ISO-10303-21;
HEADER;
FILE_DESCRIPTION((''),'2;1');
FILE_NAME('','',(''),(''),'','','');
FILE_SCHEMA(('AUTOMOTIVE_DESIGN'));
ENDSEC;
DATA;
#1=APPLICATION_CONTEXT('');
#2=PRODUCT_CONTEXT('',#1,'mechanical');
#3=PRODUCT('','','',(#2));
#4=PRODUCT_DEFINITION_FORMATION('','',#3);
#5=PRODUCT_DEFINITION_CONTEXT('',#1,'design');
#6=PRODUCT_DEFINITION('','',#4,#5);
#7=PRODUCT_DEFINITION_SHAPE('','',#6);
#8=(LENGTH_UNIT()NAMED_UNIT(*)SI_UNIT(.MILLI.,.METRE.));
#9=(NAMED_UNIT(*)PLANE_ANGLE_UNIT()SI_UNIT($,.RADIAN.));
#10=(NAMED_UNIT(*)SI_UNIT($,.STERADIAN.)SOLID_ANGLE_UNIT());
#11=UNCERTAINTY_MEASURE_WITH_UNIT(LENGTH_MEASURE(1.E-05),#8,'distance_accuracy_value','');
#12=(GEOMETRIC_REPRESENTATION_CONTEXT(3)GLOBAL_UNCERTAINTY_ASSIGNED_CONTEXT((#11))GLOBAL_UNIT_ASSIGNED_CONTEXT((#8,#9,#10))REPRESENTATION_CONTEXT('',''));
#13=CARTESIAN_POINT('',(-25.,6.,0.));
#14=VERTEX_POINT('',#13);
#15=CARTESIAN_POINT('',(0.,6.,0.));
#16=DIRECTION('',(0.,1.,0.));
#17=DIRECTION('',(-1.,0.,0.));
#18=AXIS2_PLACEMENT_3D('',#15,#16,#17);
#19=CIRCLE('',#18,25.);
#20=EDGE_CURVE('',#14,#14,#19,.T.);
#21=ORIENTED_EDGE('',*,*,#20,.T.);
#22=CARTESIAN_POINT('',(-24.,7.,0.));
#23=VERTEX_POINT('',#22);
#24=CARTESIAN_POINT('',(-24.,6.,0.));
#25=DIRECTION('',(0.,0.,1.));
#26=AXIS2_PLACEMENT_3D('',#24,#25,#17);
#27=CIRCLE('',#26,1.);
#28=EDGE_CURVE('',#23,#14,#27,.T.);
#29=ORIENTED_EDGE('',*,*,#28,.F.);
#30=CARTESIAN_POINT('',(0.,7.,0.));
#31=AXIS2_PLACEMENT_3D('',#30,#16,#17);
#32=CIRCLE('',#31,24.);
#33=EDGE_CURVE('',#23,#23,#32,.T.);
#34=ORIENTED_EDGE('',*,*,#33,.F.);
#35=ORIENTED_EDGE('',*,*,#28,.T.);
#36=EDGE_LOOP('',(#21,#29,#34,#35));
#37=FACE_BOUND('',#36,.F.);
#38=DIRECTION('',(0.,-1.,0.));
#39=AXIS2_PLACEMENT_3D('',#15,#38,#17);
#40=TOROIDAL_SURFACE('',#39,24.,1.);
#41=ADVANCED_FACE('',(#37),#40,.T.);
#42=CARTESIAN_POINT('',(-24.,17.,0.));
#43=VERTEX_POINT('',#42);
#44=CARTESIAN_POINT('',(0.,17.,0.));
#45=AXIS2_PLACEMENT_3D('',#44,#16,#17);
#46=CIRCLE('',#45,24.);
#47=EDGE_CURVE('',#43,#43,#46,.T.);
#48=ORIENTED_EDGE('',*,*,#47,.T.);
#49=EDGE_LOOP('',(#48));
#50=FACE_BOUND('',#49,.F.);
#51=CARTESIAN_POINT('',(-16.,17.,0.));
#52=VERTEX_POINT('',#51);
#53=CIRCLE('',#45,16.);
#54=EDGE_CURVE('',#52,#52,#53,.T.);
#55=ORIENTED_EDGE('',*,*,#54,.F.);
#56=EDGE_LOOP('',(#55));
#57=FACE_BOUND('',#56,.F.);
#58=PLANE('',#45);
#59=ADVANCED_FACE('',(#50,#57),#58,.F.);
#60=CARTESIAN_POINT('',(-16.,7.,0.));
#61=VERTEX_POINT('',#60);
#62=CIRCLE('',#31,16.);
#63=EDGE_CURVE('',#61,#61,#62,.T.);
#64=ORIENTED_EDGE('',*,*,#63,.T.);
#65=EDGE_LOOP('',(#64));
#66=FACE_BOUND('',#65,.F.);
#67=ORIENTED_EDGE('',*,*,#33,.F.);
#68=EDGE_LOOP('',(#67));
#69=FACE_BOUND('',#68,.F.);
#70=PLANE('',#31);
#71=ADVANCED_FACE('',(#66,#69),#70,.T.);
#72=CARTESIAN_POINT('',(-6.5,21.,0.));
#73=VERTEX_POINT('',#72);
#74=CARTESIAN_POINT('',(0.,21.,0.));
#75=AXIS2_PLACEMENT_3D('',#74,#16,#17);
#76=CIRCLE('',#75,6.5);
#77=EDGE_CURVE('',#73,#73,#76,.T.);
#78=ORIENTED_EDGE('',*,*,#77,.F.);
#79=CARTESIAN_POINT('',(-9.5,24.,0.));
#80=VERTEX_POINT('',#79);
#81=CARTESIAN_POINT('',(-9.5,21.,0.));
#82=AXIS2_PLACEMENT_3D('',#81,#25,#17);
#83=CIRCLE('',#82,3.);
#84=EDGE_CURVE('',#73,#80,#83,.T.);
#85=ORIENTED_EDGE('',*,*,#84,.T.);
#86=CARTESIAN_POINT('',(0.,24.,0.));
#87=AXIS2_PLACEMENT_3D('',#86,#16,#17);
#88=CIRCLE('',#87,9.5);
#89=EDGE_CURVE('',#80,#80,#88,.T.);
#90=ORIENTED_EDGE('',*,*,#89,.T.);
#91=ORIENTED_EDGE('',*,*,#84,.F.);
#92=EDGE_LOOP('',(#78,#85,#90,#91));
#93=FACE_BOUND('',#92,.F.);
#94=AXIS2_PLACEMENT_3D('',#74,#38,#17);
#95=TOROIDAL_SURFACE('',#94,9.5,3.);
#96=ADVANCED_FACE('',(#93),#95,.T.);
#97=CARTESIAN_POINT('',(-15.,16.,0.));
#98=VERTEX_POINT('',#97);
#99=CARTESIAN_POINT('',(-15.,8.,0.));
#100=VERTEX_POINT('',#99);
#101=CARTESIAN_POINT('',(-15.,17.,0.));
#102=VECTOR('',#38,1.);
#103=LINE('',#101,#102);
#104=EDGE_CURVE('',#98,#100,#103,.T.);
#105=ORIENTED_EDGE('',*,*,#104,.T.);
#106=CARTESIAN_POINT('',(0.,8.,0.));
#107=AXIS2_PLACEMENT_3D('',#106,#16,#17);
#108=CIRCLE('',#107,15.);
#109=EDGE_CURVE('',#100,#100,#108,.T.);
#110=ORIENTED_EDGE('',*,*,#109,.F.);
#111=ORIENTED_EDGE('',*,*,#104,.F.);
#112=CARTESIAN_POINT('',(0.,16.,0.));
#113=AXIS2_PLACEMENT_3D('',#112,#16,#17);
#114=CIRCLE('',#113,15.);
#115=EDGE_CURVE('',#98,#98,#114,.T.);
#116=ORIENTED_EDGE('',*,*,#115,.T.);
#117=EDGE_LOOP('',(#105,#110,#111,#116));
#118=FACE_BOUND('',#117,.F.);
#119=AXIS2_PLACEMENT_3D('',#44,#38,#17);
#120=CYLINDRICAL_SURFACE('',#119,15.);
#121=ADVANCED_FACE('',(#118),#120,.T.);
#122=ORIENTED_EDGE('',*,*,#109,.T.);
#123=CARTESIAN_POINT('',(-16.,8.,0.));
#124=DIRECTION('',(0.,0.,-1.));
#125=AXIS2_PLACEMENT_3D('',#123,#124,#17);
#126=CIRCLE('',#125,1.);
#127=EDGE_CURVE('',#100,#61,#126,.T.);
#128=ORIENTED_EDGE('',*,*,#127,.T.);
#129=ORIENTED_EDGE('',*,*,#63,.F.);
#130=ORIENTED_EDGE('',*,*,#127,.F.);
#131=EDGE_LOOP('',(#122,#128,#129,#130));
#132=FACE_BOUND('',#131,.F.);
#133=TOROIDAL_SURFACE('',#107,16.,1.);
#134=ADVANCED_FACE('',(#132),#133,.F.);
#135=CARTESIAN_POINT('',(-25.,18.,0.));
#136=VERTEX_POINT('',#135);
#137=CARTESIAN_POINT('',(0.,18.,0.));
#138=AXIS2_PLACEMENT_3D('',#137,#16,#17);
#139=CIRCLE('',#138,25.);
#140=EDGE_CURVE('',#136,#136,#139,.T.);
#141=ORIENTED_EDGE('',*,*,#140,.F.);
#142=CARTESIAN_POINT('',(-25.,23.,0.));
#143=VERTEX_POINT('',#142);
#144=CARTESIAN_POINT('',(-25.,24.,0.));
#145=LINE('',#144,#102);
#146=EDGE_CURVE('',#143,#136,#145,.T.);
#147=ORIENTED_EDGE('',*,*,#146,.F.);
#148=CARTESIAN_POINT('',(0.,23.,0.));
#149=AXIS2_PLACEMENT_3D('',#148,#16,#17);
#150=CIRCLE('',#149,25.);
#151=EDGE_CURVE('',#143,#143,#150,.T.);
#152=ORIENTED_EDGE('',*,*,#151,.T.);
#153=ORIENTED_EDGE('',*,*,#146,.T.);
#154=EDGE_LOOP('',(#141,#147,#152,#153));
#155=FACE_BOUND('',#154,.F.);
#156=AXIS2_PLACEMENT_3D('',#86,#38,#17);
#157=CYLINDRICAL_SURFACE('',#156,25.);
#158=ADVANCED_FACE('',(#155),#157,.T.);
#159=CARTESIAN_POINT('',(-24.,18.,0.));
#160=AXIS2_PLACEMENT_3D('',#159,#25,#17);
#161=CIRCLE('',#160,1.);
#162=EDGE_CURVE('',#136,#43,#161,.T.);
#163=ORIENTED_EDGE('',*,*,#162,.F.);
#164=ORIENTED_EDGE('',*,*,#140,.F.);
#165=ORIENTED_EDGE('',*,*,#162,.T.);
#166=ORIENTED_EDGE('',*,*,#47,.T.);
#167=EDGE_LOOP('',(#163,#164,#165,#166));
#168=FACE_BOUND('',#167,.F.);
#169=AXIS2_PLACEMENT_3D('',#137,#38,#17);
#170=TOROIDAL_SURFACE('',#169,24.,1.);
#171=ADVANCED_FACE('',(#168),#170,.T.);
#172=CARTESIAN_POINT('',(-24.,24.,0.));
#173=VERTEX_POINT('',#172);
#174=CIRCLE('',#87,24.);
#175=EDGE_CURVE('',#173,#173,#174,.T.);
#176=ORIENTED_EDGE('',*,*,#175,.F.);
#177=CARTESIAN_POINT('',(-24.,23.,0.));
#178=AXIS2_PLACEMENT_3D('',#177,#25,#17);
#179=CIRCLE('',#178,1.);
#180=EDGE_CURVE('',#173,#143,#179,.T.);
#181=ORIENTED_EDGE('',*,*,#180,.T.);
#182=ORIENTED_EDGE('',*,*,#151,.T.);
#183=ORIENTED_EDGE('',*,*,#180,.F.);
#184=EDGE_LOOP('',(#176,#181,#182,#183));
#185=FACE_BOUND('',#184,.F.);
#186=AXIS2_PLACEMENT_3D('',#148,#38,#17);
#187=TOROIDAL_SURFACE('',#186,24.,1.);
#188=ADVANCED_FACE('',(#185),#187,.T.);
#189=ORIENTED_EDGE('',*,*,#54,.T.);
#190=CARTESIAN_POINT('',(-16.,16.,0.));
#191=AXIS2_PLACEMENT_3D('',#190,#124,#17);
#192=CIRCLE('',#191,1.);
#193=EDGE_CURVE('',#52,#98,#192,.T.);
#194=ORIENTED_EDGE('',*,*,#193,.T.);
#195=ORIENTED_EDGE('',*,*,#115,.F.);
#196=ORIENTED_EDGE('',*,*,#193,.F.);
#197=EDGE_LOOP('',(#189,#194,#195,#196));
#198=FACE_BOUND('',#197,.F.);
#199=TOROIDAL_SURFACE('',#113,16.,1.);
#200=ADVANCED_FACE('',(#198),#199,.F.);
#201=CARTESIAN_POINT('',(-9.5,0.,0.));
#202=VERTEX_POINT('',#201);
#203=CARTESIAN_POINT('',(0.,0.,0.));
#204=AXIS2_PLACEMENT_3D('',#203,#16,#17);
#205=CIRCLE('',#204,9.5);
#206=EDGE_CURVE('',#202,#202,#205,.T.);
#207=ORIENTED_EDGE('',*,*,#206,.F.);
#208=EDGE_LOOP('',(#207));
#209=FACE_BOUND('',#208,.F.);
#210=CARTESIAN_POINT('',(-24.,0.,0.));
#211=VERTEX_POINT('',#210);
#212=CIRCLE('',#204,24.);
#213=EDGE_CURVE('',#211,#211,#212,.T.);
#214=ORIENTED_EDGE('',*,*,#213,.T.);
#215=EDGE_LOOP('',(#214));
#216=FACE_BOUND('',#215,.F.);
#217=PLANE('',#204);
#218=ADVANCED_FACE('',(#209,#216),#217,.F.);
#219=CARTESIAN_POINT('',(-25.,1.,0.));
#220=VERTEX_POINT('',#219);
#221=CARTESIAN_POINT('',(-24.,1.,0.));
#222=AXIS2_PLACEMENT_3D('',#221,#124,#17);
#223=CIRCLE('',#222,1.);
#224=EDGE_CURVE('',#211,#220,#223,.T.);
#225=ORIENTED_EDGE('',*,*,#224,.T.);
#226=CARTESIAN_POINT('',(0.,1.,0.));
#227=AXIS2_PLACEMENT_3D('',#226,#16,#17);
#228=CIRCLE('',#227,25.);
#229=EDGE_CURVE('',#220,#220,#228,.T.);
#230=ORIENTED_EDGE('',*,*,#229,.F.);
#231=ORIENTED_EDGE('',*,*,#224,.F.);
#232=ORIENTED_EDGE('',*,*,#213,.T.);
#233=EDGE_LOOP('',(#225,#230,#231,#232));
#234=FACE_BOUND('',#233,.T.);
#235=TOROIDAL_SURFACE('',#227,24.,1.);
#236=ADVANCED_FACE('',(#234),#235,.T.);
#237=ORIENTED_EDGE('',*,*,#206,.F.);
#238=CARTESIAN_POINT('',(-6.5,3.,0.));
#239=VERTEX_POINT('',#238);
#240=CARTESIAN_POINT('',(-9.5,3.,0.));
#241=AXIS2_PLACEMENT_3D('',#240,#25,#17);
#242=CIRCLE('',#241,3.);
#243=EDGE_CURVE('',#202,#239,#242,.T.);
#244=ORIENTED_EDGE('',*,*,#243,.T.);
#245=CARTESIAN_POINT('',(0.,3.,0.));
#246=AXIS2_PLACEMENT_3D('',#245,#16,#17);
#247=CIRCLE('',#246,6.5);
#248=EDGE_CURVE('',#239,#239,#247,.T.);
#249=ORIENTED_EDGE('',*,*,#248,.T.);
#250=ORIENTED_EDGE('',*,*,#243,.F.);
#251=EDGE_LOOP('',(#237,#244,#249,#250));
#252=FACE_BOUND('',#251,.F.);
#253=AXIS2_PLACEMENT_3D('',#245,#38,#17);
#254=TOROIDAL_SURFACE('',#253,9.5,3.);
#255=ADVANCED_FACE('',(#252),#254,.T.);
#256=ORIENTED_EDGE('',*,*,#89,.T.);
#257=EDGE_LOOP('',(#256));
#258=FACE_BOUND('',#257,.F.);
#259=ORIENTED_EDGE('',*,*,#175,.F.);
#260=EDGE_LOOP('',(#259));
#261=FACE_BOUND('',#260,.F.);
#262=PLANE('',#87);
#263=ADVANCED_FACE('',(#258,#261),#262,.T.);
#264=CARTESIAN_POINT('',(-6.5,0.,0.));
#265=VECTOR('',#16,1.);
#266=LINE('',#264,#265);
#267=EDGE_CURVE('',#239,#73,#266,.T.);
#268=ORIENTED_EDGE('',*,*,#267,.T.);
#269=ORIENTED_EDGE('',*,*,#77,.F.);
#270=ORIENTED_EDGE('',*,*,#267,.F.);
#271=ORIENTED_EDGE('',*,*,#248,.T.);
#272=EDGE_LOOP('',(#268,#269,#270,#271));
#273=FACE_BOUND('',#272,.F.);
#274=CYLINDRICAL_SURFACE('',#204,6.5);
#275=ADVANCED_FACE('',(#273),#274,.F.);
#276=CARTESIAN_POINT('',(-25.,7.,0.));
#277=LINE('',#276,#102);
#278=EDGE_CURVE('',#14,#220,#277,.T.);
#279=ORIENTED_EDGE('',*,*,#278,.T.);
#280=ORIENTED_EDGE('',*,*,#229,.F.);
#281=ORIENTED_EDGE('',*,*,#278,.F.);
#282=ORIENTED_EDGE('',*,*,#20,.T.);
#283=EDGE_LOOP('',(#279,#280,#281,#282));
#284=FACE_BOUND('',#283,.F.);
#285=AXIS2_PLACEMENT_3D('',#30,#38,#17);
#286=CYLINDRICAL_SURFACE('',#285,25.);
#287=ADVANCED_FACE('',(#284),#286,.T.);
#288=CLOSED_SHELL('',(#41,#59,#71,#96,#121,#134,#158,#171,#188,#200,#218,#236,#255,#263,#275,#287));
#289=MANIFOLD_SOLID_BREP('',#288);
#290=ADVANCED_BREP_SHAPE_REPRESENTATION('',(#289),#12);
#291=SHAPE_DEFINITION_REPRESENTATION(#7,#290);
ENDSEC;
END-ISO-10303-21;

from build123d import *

# Parameters (mm, degrees)
F2_R = 1
F3_R = 3


with BuildPart() as f1:
    # F0 (on Top) → F1 (revolve)
    with BuildSketch(Plane.XY):
        Polygon((-25, 0), (-6.5, 0), (-6.5, 24), (-25, 24), (-25, 17), (-15, 17), (-15, 7), (-25, 7), align=None)
    revolve(axis=Axis((0, 12, 0), (0, 1, 0)))

    # F2
    f2_edges = [f1.edges().sort_by_distance(p)[0] for p in [
        (25, 0, 0),
        (25, 7, 0),
        (25, 17, 0),
        (25, 24, 0),
        (15, 7, 0),
        (15, 17, 0),
    ]]
    fillet(f2_edges, radius=F2_R)

    # F3
    f3_edges = [f1.edges().sort_by_distance(p)[0] for p in [
        (6.5, 24, 0),
        (6.5, 0, 0),
    ]]
    fillet(f3_edges, radius=F3_R)


solid = f1.part
